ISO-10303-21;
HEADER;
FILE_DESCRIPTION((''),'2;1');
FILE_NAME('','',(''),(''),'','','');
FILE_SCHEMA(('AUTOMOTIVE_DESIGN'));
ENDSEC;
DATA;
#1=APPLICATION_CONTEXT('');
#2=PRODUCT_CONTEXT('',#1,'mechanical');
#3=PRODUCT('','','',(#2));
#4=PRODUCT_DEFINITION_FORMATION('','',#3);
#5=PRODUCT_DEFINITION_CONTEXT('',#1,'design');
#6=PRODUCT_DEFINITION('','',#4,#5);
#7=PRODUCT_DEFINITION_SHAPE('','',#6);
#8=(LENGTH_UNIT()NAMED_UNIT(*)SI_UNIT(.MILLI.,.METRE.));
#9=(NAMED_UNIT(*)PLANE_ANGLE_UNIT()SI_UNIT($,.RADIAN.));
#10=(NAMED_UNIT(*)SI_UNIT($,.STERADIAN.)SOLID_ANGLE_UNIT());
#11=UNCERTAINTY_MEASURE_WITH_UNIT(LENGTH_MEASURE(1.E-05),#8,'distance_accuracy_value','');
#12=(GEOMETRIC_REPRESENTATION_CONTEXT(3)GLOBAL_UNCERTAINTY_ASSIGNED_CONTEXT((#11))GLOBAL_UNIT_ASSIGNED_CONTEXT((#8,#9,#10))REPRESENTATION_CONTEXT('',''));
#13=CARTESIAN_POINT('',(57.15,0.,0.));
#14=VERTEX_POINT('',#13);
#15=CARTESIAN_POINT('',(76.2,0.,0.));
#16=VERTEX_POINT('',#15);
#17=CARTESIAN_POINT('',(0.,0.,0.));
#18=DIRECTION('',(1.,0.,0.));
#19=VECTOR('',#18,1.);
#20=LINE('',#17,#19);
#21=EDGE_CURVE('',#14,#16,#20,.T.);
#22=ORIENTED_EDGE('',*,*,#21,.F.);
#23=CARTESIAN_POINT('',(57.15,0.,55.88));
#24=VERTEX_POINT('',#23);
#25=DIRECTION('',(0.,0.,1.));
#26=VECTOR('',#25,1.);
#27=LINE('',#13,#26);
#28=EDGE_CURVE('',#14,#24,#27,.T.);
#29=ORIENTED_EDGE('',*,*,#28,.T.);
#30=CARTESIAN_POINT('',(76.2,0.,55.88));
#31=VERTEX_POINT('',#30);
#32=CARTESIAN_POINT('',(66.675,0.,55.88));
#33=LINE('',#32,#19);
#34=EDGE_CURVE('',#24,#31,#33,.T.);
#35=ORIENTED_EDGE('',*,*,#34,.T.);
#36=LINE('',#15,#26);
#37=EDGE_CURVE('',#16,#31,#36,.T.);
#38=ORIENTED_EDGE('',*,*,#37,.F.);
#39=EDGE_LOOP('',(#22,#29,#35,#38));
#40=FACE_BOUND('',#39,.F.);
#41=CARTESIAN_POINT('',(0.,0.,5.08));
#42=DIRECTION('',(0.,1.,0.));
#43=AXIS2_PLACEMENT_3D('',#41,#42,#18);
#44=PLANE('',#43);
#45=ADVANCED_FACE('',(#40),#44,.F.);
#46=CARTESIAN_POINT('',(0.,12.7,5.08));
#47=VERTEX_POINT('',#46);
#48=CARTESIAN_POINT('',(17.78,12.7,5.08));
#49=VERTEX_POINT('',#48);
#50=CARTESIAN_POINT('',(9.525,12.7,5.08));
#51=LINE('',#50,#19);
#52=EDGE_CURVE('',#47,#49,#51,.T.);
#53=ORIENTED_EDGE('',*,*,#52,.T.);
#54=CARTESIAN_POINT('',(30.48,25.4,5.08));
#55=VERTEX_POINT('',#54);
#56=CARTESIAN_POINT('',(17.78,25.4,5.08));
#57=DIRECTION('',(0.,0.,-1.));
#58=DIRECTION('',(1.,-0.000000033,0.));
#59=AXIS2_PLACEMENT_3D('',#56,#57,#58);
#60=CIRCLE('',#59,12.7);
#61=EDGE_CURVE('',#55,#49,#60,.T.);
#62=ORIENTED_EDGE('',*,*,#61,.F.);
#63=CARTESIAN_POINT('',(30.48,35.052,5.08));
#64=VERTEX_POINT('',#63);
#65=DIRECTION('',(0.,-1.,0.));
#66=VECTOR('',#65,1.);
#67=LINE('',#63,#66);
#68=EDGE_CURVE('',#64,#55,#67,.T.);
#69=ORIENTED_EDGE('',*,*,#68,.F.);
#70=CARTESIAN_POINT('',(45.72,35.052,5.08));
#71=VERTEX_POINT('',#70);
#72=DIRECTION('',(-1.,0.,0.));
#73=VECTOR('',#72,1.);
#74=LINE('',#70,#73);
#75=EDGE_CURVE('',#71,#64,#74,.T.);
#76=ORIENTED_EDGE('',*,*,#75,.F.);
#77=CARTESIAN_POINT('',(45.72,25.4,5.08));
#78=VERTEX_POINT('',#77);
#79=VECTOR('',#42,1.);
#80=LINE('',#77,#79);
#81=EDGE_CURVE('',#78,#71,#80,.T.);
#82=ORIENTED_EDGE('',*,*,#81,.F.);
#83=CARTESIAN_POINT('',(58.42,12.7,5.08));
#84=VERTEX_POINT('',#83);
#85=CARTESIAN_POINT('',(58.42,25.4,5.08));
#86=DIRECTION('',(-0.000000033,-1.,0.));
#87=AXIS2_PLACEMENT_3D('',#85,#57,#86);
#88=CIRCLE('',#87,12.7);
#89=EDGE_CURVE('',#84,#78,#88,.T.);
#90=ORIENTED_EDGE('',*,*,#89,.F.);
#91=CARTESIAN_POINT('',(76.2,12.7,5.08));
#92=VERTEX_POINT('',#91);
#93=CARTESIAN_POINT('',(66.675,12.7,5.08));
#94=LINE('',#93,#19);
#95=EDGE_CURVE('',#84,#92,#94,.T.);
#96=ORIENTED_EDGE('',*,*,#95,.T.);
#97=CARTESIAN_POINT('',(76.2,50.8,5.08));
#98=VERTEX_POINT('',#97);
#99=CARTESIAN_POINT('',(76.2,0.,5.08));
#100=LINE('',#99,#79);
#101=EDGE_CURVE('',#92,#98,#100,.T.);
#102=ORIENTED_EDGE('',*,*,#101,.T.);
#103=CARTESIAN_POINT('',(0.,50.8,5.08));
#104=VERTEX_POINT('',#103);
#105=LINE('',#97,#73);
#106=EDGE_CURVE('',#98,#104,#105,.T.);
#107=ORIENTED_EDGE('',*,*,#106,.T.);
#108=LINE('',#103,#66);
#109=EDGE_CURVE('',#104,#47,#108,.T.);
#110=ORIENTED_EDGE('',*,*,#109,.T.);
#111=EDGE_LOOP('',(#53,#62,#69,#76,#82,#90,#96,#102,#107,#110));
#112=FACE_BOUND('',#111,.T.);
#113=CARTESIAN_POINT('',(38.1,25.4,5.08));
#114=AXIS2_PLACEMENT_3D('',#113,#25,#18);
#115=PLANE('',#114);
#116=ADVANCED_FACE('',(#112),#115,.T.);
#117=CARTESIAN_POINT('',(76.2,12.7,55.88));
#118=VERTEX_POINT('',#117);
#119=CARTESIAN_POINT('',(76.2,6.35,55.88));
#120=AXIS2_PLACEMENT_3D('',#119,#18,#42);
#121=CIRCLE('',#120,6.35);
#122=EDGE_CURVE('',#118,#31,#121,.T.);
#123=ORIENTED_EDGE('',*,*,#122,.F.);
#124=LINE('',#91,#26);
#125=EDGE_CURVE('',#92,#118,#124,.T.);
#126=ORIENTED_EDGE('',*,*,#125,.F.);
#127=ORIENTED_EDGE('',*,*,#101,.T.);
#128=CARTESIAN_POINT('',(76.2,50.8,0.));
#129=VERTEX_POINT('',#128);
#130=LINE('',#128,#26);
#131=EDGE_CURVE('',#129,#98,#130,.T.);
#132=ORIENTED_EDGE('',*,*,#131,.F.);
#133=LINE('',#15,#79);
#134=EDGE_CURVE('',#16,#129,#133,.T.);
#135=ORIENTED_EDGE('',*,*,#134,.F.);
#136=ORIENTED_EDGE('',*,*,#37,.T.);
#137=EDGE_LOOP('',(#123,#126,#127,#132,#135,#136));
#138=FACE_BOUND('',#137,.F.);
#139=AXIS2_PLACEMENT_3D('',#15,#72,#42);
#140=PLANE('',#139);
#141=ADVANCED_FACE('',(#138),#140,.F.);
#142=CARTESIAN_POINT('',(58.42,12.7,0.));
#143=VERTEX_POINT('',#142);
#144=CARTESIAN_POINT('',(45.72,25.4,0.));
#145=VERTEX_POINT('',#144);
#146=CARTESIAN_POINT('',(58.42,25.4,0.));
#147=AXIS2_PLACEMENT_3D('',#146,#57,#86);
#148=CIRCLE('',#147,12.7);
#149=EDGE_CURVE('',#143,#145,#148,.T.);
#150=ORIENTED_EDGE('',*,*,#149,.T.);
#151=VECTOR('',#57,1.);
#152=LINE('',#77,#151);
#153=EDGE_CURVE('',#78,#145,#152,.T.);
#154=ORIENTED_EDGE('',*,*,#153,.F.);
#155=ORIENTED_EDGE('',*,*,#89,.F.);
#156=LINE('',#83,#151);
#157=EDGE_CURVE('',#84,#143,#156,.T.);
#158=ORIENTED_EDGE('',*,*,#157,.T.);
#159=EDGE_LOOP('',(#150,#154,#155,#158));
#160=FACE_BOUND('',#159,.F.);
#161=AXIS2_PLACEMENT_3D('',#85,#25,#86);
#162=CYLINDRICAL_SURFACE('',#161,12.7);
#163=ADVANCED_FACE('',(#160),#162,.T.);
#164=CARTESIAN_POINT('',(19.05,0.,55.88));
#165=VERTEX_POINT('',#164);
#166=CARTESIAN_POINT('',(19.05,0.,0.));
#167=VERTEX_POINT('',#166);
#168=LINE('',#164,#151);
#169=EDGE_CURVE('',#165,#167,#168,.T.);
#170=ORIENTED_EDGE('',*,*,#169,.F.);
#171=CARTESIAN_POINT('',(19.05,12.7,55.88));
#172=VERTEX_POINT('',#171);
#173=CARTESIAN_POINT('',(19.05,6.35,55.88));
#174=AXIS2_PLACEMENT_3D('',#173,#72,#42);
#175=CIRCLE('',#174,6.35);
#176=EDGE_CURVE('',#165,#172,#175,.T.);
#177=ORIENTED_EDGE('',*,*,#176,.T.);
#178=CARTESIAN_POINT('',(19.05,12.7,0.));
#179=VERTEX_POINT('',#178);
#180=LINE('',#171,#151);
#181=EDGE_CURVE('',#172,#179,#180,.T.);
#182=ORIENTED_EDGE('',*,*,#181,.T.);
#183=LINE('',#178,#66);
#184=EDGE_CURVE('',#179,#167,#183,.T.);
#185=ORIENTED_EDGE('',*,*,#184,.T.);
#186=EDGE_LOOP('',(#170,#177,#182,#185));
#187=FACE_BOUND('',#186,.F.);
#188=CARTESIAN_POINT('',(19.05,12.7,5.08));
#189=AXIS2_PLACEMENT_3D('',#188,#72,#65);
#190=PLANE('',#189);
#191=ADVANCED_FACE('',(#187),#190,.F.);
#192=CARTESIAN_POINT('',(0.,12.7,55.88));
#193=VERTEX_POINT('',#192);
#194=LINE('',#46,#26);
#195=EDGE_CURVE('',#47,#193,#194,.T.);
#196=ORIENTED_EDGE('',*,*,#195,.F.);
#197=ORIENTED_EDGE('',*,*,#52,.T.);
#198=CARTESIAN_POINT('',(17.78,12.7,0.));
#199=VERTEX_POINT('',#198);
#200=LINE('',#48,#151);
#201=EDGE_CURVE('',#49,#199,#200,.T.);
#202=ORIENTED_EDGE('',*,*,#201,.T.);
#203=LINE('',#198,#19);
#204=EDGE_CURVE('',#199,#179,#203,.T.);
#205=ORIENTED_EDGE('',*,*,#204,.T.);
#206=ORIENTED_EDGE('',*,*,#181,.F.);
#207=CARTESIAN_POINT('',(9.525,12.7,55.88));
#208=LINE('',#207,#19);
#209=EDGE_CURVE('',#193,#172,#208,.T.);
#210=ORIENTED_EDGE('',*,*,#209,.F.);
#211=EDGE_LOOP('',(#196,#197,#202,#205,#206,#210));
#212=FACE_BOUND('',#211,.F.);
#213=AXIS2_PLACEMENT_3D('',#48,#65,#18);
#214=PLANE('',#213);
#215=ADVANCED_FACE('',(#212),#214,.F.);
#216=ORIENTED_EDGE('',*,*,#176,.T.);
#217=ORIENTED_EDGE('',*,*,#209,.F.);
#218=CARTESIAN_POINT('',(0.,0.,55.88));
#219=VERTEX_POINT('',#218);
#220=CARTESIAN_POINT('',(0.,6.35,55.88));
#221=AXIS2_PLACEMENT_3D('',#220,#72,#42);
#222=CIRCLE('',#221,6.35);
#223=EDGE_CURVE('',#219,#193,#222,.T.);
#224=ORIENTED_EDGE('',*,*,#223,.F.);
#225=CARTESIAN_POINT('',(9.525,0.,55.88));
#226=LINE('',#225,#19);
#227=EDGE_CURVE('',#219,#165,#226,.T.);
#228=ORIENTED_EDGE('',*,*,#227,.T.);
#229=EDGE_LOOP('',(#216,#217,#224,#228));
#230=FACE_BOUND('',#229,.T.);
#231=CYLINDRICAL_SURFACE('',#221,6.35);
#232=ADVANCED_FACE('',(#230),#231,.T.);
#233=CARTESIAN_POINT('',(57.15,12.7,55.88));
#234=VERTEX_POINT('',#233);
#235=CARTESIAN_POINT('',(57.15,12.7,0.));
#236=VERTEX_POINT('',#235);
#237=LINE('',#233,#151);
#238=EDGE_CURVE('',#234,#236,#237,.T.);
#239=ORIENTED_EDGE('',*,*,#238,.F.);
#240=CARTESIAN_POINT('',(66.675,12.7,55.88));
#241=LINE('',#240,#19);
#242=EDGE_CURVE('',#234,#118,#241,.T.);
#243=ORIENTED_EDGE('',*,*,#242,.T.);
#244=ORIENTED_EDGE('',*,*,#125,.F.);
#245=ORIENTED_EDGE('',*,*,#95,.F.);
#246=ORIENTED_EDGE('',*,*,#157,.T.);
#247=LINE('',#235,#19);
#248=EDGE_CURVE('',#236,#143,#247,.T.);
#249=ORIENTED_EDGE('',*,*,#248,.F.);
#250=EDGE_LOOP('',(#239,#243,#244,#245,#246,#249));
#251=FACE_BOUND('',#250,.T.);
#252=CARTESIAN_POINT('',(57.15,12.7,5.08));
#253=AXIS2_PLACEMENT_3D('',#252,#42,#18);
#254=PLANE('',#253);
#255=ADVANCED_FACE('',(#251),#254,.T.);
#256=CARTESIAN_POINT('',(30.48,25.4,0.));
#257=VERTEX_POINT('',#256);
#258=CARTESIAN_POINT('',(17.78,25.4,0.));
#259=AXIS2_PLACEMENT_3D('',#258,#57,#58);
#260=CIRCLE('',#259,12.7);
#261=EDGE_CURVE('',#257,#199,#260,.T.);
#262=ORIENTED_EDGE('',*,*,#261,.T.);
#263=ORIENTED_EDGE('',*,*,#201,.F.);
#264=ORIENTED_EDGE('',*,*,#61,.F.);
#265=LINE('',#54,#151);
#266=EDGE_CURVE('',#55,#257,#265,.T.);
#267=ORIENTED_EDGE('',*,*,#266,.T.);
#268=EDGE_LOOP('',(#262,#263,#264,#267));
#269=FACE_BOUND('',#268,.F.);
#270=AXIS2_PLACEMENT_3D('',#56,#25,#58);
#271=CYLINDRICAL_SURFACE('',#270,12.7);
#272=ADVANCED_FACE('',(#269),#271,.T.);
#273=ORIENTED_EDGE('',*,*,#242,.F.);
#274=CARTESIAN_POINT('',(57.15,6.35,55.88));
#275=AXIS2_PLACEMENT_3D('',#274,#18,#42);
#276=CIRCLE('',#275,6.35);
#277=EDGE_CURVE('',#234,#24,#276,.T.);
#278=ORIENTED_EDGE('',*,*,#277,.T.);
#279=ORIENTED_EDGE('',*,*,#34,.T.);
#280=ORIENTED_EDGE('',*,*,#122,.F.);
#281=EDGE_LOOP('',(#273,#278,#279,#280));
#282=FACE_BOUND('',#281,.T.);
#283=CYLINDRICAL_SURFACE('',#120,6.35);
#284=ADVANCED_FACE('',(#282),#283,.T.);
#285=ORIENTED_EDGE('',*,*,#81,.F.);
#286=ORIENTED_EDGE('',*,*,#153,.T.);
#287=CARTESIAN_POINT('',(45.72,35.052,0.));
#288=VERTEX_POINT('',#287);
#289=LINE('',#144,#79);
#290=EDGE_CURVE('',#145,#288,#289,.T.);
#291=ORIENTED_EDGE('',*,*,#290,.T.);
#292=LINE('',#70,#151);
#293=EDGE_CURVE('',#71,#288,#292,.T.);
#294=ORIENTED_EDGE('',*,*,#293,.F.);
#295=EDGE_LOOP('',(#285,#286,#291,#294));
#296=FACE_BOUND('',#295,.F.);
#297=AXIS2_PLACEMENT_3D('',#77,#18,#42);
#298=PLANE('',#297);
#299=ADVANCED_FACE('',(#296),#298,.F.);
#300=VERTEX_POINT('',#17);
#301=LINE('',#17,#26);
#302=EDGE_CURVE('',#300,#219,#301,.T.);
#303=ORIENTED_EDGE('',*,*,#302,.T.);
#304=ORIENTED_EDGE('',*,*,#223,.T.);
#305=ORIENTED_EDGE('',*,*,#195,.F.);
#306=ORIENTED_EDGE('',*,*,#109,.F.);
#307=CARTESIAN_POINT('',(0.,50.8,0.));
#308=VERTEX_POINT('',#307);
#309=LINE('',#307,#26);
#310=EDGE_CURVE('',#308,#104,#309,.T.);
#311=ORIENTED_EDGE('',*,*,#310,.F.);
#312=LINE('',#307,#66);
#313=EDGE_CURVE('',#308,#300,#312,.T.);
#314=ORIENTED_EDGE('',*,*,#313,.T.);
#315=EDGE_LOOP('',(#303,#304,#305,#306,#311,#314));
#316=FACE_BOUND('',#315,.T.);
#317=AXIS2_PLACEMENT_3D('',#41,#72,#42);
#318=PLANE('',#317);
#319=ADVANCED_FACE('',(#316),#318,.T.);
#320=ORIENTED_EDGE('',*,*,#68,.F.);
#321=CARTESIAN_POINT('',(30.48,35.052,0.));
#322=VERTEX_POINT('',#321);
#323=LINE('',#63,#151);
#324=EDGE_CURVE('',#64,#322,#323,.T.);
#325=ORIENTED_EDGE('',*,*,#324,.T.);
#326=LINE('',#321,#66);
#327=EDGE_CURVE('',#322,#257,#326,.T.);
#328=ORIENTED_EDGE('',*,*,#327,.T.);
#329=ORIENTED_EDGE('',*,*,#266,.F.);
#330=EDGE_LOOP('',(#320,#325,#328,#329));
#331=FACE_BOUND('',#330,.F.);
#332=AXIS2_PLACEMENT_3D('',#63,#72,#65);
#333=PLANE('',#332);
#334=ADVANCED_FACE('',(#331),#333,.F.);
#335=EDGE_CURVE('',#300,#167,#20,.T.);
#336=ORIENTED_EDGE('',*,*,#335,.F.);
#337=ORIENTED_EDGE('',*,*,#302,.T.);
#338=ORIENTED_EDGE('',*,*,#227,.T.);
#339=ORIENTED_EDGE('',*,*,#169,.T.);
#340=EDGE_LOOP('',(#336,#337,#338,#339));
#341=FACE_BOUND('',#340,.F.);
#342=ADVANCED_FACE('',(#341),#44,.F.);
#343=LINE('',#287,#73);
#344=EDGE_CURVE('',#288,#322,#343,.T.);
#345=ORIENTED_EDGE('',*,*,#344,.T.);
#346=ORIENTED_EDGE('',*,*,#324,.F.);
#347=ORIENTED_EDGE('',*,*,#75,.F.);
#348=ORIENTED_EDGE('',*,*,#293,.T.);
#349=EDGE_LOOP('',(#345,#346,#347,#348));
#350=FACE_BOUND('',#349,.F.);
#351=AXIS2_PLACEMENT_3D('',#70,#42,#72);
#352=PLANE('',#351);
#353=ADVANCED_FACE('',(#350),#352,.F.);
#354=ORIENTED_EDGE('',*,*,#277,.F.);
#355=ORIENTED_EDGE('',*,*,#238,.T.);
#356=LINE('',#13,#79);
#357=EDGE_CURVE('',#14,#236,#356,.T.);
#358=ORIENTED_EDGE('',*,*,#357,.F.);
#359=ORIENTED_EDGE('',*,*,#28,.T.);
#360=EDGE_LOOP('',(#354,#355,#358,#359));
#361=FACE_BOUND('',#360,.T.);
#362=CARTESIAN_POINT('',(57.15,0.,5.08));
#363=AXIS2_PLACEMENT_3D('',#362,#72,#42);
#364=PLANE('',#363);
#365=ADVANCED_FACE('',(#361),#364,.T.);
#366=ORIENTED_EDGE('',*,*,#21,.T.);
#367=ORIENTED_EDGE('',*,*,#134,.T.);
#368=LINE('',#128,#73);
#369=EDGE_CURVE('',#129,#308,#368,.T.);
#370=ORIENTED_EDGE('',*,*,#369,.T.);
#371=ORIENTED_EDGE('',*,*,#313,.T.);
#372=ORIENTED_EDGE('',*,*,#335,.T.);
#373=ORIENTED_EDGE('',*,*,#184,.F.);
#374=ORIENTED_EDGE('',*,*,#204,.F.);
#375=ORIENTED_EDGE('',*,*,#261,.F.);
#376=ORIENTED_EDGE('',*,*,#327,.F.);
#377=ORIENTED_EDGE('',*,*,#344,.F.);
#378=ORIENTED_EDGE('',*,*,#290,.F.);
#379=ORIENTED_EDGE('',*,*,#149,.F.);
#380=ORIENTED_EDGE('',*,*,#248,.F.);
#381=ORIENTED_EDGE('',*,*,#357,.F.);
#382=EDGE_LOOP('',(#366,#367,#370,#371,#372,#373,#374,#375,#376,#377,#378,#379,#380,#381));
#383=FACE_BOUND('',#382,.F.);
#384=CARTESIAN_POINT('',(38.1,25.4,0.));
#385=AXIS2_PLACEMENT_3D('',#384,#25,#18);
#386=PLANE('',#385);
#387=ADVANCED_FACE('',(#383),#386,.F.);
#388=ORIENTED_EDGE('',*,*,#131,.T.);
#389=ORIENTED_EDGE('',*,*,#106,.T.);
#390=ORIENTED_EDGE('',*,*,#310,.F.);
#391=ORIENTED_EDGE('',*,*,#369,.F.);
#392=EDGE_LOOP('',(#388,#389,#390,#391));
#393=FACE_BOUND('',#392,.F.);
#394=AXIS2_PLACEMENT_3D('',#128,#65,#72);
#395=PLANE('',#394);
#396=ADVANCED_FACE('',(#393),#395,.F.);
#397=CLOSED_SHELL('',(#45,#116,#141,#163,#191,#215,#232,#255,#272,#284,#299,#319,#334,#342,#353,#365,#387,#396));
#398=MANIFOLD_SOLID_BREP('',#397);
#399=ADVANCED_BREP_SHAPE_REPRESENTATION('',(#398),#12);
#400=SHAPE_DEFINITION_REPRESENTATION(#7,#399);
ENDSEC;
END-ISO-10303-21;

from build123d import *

# Parameters (mm, degrees)
F1_DEPTH = 5.08
F2_W     = 19.05
F2_H     = 12.7
F3_DEPTH = 50.8
F5_DEPTH = 19.05
F7_DEPTH = 19.05
F9_DEPTH = 5.08


with BuildPart() as f1:
    # F0 (on Top) → F1 (new body)
    with BuildSketch(Plane.XY):
        Polygon((0, 12.7), (0, 0), (19.05, 0), (76.2, 0), (76.2, 50.8), (0, 50.8), align=None)
    extrude(amount=F1_DEPTH)

    # F2 (on face) → F3 (join)
    with BuildSketch(Plane.XY.offset(5.08)):
        with Locations((9.525, 6.35)):
            Rectangle(F2_W, F2_H)
        with Locations((66.675, 6.35)):
            Rectangle(F2_W, F2_H)
    extrude(amount=F3_DEPTH)

    # F4 (on face) → F5 (join)
    with BuildSketch(Plane(origin=(0, 0, 0), x_dir=(0, -1, 0), z_dir=(-1, 0, 0))):
        with BuildLine():
            Line((-12.7, 55.88), (0, 55.88))
            ThreePointArc((0, 55.88), (-6.35, 62.23), (-12.7, 55.88))
        make_face()
        with BuildLine():
            ThreePointArc((-12.7, 55.88), (-6.35, 49.53), (0, 55.88))
            Line((0, 55.88), (-12.7, 55.88))
        make_face()
    extrude(amount=-F5_DEPTH)

    # F6 (on face) → F7 (join)
    with BuildSketch(Plane.YZ.offset(76.2)):
        with BuildLine():
            ThreePointArc((0, 55.88), (6.35, 49.53), (12.7, 55.88))
            Line((12.7, 55.88), (0, 55.88))
        make_face()
        with BuildLine():
            Line((0, 55.88), (12.7, 55.88))
            ThreePointArc((12.7, 55.88), (6.35, 62.23), (0, 55.88))
        make_face()
    extrude(amount=-F7_DEPTH)

    # F8 (on face) → F9 (cut)
    with BuildSketch(Plane.XY.offset(5.08)):
        with BuildLine():
            ThreePointArc((30.48, 25.4), (26.760256, 16.419744), (17.78, 12.7))
            Line((17.78, 12.7), (19.05, 12.7))
            Line((19.05, 12.7), (19.05, 0))
            Line((19.05, 0), (57.15, 0))
            Line((57.15, 0), (57.15, 12.7))
            Line((57.15, 12.7), (58.42, 12.7))
            ThreePointArc((58.42, 12.7), (49.439744, 16.419744), (45.72, 25.4))
            Line((45.72, 25.4), (45.72, 35.052))
            Line((45.72, 35.052), (30.48, 35.052))
            Line((30.48, 35.052), (30.48, 25.4))
        make_face()
    extrude(amount=-F9_DEPTH, mode=Mode.SUBTRACT)


solid = f1.part
